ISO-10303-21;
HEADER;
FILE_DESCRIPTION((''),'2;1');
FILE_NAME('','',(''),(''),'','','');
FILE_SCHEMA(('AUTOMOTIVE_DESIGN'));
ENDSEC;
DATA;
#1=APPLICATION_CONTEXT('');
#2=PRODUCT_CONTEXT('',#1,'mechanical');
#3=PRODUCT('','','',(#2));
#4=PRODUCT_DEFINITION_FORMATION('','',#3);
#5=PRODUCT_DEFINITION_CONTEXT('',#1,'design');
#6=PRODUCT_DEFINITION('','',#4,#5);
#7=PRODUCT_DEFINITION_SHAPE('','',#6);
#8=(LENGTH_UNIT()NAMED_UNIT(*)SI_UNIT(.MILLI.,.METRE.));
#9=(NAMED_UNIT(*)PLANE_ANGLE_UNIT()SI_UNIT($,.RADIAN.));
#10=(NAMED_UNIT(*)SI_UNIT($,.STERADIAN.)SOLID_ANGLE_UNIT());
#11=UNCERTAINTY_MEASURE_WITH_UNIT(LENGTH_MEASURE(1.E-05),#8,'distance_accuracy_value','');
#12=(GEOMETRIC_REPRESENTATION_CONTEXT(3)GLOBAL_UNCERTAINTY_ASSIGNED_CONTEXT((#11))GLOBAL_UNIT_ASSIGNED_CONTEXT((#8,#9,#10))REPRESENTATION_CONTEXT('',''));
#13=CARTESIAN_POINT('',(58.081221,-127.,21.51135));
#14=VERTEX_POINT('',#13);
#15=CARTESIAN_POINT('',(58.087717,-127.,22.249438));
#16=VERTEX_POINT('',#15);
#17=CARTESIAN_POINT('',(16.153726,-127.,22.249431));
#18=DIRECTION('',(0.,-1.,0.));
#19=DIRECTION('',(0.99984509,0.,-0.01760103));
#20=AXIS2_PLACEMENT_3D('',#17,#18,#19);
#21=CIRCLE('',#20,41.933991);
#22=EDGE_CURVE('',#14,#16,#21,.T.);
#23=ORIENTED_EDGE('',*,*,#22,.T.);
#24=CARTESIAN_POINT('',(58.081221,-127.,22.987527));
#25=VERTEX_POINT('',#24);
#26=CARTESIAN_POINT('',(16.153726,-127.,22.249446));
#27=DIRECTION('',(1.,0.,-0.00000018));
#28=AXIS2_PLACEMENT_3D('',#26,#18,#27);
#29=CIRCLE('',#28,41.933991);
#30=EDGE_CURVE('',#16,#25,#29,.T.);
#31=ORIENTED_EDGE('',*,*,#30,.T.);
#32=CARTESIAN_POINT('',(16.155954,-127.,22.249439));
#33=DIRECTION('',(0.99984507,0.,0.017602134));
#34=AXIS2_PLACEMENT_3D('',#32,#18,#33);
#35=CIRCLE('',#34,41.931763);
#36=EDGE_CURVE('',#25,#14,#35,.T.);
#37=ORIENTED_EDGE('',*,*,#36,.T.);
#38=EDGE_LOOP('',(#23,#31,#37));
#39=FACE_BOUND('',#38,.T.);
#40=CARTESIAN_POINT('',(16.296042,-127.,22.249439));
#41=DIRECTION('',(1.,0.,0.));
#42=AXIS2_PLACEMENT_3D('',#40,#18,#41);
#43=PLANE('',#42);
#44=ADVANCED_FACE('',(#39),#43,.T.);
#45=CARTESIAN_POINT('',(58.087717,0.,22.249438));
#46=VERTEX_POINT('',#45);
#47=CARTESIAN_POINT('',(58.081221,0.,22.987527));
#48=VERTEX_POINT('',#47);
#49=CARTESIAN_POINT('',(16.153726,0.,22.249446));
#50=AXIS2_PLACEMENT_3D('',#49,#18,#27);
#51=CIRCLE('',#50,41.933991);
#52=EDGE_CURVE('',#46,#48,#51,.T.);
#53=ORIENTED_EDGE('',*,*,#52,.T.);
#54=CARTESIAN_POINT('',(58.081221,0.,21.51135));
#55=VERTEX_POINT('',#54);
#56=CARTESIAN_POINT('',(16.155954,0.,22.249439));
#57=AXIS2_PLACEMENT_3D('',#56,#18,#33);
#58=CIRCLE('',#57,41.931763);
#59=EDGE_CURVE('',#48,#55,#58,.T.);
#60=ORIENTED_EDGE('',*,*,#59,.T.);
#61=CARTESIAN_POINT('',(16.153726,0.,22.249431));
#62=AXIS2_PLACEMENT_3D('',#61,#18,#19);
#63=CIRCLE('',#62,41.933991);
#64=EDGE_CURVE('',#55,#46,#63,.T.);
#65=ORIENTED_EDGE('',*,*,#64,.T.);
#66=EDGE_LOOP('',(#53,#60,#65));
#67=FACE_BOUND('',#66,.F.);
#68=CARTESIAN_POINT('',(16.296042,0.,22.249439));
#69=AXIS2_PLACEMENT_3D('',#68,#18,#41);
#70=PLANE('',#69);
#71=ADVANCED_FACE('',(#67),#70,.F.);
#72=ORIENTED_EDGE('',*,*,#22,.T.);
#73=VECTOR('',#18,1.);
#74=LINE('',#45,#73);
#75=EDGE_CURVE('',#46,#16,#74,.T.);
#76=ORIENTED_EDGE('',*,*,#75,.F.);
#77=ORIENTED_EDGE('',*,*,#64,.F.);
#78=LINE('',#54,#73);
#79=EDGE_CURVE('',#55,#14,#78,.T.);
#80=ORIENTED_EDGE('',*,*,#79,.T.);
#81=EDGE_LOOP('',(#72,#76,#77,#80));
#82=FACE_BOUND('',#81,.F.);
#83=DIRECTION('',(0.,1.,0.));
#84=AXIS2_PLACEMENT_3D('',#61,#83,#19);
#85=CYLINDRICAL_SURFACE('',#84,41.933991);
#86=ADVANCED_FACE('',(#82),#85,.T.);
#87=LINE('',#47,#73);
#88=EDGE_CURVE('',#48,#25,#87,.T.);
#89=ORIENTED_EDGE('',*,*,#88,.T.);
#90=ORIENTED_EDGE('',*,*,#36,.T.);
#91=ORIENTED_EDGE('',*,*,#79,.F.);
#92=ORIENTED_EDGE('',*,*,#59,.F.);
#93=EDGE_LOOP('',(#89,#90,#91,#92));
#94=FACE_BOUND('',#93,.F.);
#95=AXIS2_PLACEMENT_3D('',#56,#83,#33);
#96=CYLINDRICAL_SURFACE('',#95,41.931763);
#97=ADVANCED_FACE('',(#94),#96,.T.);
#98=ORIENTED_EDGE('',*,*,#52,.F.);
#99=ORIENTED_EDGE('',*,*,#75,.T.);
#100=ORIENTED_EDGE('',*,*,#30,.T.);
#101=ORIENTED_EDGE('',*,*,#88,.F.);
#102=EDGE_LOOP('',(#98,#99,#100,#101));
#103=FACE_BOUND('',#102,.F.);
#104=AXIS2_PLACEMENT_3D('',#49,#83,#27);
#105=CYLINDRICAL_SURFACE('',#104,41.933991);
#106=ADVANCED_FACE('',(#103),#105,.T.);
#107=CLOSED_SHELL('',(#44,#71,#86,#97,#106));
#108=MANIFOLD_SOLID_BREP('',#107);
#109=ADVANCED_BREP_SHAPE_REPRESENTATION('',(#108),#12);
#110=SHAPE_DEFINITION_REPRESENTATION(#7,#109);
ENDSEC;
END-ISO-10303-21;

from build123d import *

# Parameters (mm, degrees)
F1_DEPTH = 127


with BuildPart() as f1:
    # F0 (on Front) → F1 (new body)
    with BuildSketch(Plane.XZ):
        with BuildLine():
            Line((58.081221, 21.51135), (58.081221, 22.987527))
            ThreePointArc((58.081221, 22.987527), (-25.775809, 22.249438), (58.081221, 21.51135))
        make_face()
        with BuildLine():
            ThreePointArc((58.081221, 21.51135), (58.086093, 21.88038), (58.087717, 22.249438))
            ThreePointArc((58.087717, 22.249438), (58.086093, 22.618497), (58.081221, 22.987527))
            Line((58.081221, 22.987527), (58.081221, 21.51135))
        make_face()
    extrude(amount=F1_DEPTH)


solid = f1.part
